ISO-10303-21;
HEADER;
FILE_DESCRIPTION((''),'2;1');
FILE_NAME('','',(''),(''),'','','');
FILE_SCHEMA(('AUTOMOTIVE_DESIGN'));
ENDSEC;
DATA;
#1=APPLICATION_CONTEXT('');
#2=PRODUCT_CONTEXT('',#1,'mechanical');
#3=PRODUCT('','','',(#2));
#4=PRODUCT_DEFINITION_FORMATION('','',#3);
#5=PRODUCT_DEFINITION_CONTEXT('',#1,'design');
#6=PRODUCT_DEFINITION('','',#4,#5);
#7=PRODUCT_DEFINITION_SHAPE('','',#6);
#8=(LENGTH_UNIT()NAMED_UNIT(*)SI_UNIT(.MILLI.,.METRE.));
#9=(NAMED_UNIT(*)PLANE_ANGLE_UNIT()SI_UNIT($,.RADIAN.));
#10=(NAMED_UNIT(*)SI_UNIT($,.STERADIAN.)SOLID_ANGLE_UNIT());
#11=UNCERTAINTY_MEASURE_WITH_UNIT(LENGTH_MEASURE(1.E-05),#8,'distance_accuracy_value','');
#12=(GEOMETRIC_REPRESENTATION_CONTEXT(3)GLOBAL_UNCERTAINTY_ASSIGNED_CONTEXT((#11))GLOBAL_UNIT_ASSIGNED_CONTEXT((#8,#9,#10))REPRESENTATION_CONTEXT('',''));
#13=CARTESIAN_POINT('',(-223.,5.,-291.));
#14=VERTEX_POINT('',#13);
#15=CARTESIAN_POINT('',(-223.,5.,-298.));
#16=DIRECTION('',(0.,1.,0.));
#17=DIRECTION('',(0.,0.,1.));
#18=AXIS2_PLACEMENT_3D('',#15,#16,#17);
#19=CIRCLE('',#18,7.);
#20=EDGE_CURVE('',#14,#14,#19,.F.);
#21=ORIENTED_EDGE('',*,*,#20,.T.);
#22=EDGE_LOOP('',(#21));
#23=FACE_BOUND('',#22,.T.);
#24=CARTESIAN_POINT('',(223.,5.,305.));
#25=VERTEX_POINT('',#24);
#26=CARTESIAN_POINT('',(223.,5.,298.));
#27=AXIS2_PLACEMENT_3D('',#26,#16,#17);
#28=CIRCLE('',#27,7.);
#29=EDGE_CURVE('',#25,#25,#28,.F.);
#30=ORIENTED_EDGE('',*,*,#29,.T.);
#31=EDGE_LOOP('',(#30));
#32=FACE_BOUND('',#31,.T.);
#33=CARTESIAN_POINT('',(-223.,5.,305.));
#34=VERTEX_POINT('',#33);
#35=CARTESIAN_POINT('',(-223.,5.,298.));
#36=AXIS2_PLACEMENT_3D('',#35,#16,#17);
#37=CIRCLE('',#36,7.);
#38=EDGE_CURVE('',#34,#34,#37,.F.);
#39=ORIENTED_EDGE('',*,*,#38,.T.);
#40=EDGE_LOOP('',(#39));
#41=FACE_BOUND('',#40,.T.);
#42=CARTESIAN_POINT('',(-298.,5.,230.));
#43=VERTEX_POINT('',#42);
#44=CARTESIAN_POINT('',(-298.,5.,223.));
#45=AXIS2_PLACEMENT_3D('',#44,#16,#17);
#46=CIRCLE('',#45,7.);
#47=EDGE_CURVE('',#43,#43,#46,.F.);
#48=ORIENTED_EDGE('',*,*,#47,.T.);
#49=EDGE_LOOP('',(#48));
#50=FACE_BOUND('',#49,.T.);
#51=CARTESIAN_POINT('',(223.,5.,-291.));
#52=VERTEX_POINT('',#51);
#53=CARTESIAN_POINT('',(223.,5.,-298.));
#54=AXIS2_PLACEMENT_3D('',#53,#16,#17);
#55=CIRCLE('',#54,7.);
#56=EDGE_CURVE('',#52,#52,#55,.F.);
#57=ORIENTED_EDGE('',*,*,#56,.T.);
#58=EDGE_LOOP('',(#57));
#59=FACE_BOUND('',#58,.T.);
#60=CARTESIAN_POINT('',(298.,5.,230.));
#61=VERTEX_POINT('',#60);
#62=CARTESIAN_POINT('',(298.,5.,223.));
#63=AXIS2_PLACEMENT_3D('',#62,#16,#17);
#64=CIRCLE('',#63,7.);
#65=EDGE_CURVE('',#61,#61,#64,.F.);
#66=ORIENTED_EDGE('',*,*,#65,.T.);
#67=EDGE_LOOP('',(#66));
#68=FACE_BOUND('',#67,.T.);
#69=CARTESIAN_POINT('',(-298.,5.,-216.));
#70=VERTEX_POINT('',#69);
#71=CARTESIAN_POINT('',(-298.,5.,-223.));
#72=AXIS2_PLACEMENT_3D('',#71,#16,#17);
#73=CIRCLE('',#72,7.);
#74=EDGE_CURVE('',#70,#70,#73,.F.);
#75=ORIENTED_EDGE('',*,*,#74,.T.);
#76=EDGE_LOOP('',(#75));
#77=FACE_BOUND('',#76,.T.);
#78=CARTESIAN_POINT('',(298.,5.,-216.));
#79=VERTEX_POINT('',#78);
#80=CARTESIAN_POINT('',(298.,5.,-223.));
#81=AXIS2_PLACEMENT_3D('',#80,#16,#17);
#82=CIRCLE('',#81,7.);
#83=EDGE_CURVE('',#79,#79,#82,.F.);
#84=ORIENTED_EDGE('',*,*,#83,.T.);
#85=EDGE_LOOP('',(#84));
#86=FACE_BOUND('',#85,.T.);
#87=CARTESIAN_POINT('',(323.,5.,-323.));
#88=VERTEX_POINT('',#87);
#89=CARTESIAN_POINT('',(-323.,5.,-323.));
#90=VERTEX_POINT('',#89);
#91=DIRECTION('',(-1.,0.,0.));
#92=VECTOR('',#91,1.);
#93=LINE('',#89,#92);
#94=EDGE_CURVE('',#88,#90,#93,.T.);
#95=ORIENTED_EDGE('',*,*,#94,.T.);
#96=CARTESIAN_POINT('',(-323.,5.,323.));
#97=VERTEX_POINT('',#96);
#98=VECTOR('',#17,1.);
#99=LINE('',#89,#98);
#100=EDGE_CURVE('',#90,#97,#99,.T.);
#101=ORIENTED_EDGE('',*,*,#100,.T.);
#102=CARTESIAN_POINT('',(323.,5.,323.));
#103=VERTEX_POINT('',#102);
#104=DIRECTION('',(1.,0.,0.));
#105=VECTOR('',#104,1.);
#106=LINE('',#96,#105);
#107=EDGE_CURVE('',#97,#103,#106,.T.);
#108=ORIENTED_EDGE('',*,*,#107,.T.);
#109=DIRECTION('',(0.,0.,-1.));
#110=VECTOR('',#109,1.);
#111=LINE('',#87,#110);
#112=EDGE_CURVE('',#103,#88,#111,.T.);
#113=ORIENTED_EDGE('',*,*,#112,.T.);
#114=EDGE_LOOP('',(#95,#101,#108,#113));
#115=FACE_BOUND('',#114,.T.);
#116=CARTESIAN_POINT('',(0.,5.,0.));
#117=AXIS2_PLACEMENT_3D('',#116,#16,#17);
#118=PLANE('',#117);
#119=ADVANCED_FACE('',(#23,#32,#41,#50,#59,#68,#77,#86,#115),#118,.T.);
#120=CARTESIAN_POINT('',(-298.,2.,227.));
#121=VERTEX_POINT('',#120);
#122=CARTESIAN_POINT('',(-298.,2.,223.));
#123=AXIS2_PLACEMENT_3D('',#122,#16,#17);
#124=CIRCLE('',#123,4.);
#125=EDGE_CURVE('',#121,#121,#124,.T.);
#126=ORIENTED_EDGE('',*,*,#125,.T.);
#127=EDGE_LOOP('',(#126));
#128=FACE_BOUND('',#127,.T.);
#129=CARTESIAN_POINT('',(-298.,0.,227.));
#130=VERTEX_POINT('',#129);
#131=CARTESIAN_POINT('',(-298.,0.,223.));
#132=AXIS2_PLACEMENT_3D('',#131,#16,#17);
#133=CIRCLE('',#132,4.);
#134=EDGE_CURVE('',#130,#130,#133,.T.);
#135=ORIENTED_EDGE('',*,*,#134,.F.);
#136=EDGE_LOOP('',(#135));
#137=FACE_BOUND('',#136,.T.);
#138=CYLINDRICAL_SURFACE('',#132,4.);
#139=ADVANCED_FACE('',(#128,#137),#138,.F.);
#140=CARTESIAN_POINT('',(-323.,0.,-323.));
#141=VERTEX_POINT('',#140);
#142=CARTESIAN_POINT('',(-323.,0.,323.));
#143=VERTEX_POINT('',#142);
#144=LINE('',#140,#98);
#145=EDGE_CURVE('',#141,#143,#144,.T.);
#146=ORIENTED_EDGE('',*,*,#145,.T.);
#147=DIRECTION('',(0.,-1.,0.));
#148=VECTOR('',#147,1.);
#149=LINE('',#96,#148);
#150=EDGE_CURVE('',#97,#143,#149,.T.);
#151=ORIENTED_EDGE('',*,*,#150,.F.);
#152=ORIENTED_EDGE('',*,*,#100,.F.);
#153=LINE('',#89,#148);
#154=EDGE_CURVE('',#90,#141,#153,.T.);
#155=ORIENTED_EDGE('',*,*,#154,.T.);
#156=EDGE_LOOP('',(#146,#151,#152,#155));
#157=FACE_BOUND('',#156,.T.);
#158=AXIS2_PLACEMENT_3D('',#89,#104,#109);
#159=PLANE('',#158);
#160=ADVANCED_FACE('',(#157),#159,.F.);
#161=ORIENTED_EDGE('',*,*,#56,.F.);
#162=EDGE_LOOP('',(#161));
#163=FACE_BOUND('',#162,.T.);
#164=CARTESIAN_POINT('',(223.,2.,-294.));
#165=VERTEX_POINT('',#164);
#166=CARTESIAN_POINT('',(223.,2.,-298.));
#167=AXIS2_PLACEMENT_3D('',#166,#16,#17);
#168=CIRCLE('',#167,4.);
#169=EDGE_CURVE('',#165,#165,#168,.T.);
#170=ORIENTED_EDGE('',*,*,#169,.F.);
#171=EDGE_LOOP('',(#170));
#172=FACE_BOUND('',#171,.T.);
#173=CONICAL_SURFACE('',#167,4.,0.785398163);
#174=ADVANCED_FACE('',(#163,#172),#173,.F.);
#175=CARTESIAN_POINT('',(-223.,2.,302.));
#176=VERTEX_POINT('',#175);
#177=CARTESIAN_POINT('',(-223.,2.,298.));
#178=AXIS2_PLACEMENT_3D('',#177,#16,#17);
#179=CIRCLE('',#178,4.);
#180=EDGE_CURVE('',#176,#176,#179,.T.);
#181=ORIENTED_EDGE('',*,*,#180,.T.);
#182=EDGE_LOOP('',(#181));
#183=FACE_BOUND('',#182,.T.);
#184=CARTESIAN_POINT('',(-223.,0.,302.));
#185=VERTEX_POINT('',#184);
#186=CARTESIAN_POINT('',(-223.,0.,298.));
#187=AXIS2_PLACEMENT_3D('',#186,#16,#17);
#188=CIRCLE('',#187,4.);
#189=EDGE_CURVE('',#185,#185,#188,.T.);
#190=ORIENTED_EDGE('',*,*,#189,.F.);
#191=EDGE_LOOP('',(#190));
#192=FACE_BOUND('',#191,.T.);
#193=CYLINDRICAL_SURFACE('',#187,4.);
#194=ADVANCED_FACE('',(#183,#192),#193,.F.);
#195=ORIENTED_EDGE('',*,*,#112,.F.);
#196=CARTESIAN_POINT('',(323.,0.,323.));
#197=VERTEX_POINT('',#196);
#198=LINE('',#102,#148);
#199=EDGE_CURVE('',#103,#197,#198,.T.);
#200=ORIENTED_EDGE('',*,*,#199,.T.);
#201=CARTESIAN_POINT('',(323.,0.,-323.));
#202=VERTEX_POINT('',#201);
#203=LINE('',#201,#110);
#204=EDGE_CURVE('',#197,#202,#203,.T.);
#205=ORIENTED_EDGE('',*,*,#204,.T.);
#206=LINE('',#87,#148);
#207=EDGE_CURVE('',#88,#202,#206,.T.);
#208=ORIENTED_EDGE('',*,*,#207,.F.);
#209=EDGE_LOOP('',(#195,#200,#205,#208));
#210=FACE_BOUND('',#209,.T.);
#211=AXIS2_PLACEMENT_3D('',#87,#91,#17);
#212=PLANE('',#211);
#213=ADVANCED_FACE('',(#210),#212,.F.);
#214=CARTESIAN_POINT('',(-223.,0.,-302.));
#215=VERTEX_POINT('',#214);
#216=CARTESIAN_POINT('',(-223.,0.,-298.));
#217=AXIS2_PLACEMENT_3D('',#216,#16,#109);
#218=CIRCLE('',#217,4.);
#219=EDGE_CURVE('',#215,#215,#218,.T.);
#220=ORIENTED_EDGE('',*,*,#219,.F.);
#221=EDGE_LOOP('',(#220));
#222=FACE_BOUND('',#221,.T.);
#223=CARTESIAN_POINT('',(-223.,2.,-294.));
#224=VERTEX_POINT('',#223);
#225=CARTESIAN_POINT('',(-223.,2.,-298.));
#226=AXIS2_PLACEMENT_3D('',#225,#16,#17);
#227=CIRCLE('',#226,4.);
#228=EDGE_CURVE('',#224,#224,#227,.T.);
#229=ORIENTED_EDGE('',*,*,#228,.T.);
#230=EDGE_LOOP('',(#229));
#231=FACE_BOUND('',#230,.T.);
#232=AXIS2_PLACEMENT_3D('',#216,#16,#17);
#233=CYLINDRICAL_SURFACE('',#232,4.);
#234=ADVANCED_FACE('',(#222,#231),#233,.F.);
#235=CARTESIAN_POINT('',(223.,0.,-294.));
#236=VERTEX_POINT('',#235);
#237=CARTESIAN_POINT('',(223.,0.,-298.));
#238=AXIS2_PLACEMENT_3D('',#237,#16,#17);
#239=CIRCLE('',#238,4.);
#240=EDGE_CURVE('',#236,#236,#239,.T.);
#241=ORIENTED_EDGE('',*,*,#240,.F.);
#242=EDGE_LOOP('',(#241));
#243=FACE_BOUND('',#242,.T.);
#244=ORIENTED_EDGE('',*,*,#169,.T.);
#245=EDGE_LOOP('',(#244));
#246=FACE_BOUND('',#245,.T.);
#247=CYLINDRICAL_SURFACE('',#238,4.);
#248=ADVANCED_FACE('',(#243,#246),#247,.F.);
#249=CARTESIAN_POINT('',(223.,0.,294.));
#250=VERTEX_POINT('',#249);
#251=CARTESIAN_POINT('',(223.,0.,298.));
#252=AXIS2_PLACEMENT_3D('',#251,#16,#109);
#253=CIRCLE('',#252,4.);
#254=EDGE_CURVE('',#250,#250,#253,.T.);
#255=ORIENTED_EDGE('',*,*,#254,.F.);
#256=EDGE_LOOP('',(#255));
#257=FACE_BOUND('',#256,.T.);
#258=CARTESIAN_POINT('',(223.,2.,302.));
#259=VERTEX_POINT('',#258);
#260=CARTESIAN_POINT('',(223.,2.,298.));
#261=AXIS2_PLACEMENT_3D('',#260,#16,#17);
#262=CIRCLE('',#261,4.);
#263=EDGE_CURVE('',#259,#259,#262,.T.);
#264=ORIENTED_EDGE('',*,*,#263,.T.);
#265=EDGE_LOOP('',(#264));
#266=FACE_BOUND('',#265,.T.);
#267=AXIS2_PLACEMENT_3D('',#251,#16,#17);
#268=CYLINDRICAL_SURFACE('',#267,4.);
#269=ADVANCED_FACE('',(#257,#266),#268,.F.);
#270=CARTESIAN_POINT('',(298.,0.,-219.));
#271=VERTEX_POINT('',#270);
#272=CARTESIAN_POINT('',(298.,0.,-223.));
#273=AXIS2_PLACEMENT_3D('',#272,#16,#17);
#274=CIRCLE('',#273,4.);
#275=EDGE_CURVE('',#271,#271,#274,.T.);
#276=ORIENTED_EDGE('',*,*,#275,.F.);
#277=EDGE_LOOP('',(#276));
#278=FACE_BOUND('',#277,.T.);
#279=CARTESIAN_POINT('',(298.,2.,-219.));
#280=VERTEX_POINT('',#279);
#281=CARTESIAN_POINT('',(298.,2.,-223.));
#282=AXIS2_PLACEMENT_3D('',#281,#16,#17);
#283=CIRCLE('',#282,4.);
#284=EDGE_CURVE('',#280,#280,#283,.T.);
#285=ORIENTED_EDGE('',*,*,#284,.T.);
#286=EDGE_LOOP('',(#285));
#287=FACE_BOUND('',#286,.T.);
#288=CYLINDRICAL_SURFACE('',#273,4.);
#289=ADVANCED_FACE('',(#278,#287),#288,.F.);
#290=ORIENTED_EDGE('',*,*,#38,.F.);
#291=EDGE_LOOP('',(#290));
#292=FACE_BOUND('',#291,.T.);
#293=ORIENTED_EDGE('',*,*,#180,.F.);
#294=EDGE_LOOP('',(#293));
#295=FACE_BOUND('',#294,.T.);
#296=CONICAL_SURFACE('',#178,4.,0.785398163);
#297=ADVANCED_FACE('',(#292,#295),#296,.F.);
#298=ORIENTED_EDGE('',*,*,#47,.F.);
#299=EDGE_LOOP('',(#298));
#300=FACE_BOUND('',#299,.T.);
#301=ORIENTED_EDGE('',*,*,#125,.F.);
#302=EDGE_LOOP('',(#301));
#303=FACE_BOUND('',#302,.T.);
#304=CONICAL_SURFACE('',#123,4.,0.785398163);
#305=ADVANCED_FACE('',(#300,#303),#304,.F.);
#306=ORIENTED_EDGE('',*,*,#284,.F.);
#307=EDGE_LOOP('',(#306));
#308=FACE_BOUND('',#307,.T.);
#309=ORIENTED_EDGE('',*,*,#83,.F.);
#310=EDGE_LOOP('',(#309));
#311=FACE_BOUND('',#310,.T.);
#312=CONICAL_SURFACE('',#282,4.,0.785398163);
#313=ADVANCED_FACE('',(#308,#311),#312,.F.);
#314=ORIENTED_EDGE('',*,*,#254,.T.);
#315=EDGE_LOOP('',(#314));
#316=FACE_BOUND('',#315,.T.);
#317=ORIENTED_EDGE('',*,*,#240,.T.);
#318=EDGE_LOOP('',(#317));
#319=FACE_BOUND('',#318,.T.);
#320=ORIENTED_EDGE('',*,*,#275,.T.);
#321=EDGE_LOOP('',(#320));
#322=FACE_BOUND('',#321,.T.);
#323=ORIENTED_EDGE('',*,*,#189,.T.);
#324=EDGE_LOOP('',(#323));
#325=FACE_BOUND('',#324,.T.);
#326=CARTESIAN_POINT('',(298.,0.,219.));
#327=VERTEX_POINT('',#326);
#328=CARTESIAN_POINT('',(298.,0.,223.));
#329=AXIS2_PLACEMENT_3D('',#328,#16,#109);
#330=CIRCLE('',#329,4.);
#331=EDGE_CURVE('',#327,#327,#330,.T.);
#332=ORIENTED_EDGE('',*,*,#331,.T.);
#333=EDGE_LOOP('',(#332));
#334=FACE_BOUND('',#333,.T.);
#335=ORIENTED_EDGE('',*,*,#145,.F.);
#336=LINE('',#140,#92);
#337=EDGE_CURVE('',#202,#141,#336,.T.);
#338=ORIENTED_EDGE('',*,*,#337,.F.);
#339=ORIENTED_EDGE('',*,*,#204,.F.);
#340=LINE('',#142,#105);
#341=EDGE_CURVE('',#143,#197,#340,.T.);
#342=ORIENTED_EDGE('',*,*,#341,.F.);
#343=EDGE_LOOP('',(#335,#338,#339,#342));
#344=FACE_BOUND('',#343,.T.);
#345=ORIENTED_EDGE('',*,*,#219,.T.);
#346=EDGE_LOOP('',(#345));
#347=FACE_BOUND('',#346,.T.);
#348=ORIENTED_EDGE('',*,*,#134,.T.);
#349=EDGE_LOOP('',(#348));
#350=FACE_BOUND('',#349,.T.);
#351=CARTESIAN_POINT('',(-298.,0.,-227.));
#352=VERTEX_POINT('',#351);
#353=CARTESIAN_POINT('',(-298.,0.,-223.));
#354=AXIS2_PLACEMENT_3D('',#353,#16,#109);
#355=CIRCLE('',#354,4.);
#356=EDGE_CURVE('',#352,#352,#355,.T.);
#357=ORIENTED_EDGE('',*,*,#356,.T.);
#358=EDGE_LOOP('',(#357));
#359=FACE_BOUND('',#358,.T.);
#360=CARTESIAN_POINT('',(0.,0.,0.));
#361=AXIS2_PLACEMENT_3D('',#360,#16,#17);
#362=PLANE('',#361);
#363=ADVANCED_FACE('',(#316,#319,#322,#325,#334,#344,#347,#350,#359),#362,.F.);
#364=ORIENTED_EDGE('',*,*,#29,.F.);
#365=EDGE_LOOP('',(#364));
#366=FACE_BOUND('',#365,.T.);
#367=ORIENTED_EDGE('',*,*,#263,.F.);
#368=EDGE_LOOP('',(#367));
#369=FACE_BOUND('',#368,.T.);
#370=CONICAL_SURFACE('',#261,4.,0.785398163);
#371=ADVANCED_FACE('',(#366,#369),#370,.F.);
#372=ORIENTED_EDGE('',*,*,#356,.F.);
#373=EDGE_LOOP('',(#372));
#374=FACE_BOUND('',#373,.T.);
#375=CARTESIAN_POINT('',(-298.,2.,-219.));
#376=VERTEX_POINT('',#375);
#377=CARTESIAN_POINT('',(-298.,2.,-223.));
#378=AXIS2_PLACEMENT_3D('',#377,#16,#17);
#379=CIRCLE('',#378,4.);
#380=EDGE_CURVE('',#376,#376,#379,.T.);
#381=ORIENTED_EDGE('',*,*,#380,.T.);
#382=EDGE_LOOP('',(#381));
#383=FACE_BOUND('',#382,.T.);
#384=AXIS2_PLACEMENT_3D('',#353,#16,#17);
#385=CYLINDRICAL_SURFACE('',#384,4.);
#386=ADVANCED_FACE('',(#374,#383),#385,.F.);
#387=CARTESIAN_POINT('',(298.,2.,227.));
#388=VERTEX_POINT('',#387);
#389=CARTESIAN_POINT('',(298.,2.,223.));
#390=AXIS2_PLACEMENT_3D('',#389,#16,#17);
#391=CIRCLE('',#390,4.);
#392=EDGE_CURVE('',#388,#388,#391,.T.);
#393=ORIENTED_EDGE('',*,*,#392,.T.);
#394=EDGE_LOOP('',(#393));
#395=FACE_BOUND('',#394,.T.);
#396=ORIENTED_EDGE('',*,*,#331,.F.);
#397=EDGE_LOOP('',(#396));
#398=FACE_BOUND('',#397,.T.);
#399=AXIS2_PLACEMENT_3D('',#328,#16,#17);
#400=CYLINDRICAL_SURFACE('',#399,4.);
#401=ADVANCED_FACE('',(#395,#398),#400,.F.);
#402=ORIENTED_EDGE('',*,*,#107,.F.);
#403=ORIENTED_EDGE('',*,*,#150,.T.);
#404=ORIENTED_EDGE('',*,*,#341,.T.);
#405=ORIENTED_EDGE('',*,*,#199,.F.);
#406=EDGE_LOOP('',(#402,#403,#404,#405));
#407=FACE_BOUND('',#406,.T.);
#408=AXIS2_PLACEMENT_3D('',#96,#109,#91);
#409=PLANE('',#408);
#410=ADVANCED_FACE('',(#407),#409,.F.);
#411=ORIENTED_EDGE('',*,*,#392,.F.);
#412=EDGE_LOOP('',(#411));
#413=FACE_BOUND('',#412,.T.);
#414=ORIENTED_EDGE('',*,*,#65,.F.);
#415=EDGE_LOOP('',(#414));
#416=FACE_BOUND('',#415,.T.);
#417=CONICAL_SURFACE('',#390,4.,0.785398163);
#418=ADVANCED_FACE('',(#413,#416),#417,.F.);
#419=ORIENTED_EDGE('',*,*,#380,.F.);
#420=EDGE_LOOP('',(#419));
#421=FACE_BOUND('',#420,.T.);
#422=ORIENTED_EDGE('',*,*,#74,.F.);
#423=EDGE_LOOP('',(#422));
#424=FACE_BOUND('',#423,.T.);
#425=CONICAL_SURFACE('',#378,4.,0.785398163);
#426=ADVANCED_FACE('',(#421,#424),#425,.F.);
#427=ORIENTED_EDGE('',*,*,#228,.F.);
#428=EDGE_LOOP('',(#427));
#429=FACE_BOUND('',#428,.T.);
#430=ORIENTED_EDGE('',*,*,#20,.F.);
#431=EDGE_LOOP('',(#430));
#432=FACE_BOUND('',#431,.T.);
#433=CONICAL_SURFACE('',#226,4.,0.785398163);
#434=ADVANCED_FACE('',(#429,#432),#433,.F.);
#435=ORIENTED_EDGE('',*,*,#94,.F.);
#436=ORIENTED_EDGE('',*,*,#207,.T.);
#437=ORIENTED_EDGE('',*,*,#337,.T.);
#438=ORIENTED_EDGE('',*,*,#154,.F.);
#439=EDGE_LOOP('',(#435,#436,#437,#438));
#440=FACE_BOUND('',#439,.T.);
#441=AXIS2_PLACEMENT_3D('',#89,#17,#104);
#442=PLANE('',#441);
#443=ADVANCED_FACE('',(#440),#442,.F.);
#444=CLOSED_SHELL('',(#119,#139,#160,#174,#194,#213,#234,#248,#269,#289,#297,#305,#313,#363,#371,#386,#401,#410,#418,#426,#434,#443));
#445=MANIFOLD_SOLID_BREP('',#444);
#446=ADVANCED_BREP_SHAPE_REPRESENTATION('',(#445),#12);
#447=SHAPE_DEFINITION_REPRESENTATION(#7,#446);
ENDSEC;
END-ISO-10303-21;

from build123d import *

# Parameters (mm, degrees)
SKETCH1_W           = 646
SKETCH1_H           = 646
BOSS_EXTRUDE1_DEPTH = 5
SKETCH2_R           = 4
CUT_EXTRUDE1_DEPTH  = 6
CHAMFER1_SIZE       = 3


with BuildPart() as part:
    # Sketch1 → Boss-Extrude1 (new body)
    with BuildSketch(Plane(origin=(0, 0, 0), x_dir=(1, 0, 0), z_dir=(0, 1, 0))):
        Rectangle(SKETCH1_W, SKETCH1_H)
    extrude(amount=BOSS_EXTRUDE1_DEPTH)

    # Sketch2 → Cut-Extrude1 (cut, through all)
    with BuildSketch(Plane(origin=(0, 5, 0), x_dir=(1, 0, 0), z_dir=(0, 1, 0))):
        with Locations((-223, -298)):
            Circle(SKETCH2_R)
        with Locations((223, -298)):
            Circle(SKETCH2_R)
        with Locations((-298, -223)):
            Circle(SKETCH2_R)
        with Locations((298, -223)):
            Circle(SKETCH2_R)
        with Locations((298, 223)):
            Circle(SKETCH2_R)
        with Locations((223, 298)):
            Circle(SKETCH2_R)
        with Locations((-223, 298)):
            Circle(SKETCH2_R)
        with Locations((-298, 223)):
            Circle(SKETCH2_R)
    extrude(amount=-CUT_EXTRUDE1_DEPTH, mode=Mode.SUBTRACT)

    # Chamfer1
    chamfer1_edges = [part.edges().sort_by_distance(p)[0] for p in [
        (-227, 5, 298),
        (219, 5, 298),
        (-302, 5, 223),
        (294, 5, 223),
        (294, 5, -223),
        (219, 5, -298),
        (-227, 5, -298),
        (-302, 5, -223),
    ]]
    chamfer(chamfer1_edges, length=CHAMFER1_SIZE)


solid = part.part
